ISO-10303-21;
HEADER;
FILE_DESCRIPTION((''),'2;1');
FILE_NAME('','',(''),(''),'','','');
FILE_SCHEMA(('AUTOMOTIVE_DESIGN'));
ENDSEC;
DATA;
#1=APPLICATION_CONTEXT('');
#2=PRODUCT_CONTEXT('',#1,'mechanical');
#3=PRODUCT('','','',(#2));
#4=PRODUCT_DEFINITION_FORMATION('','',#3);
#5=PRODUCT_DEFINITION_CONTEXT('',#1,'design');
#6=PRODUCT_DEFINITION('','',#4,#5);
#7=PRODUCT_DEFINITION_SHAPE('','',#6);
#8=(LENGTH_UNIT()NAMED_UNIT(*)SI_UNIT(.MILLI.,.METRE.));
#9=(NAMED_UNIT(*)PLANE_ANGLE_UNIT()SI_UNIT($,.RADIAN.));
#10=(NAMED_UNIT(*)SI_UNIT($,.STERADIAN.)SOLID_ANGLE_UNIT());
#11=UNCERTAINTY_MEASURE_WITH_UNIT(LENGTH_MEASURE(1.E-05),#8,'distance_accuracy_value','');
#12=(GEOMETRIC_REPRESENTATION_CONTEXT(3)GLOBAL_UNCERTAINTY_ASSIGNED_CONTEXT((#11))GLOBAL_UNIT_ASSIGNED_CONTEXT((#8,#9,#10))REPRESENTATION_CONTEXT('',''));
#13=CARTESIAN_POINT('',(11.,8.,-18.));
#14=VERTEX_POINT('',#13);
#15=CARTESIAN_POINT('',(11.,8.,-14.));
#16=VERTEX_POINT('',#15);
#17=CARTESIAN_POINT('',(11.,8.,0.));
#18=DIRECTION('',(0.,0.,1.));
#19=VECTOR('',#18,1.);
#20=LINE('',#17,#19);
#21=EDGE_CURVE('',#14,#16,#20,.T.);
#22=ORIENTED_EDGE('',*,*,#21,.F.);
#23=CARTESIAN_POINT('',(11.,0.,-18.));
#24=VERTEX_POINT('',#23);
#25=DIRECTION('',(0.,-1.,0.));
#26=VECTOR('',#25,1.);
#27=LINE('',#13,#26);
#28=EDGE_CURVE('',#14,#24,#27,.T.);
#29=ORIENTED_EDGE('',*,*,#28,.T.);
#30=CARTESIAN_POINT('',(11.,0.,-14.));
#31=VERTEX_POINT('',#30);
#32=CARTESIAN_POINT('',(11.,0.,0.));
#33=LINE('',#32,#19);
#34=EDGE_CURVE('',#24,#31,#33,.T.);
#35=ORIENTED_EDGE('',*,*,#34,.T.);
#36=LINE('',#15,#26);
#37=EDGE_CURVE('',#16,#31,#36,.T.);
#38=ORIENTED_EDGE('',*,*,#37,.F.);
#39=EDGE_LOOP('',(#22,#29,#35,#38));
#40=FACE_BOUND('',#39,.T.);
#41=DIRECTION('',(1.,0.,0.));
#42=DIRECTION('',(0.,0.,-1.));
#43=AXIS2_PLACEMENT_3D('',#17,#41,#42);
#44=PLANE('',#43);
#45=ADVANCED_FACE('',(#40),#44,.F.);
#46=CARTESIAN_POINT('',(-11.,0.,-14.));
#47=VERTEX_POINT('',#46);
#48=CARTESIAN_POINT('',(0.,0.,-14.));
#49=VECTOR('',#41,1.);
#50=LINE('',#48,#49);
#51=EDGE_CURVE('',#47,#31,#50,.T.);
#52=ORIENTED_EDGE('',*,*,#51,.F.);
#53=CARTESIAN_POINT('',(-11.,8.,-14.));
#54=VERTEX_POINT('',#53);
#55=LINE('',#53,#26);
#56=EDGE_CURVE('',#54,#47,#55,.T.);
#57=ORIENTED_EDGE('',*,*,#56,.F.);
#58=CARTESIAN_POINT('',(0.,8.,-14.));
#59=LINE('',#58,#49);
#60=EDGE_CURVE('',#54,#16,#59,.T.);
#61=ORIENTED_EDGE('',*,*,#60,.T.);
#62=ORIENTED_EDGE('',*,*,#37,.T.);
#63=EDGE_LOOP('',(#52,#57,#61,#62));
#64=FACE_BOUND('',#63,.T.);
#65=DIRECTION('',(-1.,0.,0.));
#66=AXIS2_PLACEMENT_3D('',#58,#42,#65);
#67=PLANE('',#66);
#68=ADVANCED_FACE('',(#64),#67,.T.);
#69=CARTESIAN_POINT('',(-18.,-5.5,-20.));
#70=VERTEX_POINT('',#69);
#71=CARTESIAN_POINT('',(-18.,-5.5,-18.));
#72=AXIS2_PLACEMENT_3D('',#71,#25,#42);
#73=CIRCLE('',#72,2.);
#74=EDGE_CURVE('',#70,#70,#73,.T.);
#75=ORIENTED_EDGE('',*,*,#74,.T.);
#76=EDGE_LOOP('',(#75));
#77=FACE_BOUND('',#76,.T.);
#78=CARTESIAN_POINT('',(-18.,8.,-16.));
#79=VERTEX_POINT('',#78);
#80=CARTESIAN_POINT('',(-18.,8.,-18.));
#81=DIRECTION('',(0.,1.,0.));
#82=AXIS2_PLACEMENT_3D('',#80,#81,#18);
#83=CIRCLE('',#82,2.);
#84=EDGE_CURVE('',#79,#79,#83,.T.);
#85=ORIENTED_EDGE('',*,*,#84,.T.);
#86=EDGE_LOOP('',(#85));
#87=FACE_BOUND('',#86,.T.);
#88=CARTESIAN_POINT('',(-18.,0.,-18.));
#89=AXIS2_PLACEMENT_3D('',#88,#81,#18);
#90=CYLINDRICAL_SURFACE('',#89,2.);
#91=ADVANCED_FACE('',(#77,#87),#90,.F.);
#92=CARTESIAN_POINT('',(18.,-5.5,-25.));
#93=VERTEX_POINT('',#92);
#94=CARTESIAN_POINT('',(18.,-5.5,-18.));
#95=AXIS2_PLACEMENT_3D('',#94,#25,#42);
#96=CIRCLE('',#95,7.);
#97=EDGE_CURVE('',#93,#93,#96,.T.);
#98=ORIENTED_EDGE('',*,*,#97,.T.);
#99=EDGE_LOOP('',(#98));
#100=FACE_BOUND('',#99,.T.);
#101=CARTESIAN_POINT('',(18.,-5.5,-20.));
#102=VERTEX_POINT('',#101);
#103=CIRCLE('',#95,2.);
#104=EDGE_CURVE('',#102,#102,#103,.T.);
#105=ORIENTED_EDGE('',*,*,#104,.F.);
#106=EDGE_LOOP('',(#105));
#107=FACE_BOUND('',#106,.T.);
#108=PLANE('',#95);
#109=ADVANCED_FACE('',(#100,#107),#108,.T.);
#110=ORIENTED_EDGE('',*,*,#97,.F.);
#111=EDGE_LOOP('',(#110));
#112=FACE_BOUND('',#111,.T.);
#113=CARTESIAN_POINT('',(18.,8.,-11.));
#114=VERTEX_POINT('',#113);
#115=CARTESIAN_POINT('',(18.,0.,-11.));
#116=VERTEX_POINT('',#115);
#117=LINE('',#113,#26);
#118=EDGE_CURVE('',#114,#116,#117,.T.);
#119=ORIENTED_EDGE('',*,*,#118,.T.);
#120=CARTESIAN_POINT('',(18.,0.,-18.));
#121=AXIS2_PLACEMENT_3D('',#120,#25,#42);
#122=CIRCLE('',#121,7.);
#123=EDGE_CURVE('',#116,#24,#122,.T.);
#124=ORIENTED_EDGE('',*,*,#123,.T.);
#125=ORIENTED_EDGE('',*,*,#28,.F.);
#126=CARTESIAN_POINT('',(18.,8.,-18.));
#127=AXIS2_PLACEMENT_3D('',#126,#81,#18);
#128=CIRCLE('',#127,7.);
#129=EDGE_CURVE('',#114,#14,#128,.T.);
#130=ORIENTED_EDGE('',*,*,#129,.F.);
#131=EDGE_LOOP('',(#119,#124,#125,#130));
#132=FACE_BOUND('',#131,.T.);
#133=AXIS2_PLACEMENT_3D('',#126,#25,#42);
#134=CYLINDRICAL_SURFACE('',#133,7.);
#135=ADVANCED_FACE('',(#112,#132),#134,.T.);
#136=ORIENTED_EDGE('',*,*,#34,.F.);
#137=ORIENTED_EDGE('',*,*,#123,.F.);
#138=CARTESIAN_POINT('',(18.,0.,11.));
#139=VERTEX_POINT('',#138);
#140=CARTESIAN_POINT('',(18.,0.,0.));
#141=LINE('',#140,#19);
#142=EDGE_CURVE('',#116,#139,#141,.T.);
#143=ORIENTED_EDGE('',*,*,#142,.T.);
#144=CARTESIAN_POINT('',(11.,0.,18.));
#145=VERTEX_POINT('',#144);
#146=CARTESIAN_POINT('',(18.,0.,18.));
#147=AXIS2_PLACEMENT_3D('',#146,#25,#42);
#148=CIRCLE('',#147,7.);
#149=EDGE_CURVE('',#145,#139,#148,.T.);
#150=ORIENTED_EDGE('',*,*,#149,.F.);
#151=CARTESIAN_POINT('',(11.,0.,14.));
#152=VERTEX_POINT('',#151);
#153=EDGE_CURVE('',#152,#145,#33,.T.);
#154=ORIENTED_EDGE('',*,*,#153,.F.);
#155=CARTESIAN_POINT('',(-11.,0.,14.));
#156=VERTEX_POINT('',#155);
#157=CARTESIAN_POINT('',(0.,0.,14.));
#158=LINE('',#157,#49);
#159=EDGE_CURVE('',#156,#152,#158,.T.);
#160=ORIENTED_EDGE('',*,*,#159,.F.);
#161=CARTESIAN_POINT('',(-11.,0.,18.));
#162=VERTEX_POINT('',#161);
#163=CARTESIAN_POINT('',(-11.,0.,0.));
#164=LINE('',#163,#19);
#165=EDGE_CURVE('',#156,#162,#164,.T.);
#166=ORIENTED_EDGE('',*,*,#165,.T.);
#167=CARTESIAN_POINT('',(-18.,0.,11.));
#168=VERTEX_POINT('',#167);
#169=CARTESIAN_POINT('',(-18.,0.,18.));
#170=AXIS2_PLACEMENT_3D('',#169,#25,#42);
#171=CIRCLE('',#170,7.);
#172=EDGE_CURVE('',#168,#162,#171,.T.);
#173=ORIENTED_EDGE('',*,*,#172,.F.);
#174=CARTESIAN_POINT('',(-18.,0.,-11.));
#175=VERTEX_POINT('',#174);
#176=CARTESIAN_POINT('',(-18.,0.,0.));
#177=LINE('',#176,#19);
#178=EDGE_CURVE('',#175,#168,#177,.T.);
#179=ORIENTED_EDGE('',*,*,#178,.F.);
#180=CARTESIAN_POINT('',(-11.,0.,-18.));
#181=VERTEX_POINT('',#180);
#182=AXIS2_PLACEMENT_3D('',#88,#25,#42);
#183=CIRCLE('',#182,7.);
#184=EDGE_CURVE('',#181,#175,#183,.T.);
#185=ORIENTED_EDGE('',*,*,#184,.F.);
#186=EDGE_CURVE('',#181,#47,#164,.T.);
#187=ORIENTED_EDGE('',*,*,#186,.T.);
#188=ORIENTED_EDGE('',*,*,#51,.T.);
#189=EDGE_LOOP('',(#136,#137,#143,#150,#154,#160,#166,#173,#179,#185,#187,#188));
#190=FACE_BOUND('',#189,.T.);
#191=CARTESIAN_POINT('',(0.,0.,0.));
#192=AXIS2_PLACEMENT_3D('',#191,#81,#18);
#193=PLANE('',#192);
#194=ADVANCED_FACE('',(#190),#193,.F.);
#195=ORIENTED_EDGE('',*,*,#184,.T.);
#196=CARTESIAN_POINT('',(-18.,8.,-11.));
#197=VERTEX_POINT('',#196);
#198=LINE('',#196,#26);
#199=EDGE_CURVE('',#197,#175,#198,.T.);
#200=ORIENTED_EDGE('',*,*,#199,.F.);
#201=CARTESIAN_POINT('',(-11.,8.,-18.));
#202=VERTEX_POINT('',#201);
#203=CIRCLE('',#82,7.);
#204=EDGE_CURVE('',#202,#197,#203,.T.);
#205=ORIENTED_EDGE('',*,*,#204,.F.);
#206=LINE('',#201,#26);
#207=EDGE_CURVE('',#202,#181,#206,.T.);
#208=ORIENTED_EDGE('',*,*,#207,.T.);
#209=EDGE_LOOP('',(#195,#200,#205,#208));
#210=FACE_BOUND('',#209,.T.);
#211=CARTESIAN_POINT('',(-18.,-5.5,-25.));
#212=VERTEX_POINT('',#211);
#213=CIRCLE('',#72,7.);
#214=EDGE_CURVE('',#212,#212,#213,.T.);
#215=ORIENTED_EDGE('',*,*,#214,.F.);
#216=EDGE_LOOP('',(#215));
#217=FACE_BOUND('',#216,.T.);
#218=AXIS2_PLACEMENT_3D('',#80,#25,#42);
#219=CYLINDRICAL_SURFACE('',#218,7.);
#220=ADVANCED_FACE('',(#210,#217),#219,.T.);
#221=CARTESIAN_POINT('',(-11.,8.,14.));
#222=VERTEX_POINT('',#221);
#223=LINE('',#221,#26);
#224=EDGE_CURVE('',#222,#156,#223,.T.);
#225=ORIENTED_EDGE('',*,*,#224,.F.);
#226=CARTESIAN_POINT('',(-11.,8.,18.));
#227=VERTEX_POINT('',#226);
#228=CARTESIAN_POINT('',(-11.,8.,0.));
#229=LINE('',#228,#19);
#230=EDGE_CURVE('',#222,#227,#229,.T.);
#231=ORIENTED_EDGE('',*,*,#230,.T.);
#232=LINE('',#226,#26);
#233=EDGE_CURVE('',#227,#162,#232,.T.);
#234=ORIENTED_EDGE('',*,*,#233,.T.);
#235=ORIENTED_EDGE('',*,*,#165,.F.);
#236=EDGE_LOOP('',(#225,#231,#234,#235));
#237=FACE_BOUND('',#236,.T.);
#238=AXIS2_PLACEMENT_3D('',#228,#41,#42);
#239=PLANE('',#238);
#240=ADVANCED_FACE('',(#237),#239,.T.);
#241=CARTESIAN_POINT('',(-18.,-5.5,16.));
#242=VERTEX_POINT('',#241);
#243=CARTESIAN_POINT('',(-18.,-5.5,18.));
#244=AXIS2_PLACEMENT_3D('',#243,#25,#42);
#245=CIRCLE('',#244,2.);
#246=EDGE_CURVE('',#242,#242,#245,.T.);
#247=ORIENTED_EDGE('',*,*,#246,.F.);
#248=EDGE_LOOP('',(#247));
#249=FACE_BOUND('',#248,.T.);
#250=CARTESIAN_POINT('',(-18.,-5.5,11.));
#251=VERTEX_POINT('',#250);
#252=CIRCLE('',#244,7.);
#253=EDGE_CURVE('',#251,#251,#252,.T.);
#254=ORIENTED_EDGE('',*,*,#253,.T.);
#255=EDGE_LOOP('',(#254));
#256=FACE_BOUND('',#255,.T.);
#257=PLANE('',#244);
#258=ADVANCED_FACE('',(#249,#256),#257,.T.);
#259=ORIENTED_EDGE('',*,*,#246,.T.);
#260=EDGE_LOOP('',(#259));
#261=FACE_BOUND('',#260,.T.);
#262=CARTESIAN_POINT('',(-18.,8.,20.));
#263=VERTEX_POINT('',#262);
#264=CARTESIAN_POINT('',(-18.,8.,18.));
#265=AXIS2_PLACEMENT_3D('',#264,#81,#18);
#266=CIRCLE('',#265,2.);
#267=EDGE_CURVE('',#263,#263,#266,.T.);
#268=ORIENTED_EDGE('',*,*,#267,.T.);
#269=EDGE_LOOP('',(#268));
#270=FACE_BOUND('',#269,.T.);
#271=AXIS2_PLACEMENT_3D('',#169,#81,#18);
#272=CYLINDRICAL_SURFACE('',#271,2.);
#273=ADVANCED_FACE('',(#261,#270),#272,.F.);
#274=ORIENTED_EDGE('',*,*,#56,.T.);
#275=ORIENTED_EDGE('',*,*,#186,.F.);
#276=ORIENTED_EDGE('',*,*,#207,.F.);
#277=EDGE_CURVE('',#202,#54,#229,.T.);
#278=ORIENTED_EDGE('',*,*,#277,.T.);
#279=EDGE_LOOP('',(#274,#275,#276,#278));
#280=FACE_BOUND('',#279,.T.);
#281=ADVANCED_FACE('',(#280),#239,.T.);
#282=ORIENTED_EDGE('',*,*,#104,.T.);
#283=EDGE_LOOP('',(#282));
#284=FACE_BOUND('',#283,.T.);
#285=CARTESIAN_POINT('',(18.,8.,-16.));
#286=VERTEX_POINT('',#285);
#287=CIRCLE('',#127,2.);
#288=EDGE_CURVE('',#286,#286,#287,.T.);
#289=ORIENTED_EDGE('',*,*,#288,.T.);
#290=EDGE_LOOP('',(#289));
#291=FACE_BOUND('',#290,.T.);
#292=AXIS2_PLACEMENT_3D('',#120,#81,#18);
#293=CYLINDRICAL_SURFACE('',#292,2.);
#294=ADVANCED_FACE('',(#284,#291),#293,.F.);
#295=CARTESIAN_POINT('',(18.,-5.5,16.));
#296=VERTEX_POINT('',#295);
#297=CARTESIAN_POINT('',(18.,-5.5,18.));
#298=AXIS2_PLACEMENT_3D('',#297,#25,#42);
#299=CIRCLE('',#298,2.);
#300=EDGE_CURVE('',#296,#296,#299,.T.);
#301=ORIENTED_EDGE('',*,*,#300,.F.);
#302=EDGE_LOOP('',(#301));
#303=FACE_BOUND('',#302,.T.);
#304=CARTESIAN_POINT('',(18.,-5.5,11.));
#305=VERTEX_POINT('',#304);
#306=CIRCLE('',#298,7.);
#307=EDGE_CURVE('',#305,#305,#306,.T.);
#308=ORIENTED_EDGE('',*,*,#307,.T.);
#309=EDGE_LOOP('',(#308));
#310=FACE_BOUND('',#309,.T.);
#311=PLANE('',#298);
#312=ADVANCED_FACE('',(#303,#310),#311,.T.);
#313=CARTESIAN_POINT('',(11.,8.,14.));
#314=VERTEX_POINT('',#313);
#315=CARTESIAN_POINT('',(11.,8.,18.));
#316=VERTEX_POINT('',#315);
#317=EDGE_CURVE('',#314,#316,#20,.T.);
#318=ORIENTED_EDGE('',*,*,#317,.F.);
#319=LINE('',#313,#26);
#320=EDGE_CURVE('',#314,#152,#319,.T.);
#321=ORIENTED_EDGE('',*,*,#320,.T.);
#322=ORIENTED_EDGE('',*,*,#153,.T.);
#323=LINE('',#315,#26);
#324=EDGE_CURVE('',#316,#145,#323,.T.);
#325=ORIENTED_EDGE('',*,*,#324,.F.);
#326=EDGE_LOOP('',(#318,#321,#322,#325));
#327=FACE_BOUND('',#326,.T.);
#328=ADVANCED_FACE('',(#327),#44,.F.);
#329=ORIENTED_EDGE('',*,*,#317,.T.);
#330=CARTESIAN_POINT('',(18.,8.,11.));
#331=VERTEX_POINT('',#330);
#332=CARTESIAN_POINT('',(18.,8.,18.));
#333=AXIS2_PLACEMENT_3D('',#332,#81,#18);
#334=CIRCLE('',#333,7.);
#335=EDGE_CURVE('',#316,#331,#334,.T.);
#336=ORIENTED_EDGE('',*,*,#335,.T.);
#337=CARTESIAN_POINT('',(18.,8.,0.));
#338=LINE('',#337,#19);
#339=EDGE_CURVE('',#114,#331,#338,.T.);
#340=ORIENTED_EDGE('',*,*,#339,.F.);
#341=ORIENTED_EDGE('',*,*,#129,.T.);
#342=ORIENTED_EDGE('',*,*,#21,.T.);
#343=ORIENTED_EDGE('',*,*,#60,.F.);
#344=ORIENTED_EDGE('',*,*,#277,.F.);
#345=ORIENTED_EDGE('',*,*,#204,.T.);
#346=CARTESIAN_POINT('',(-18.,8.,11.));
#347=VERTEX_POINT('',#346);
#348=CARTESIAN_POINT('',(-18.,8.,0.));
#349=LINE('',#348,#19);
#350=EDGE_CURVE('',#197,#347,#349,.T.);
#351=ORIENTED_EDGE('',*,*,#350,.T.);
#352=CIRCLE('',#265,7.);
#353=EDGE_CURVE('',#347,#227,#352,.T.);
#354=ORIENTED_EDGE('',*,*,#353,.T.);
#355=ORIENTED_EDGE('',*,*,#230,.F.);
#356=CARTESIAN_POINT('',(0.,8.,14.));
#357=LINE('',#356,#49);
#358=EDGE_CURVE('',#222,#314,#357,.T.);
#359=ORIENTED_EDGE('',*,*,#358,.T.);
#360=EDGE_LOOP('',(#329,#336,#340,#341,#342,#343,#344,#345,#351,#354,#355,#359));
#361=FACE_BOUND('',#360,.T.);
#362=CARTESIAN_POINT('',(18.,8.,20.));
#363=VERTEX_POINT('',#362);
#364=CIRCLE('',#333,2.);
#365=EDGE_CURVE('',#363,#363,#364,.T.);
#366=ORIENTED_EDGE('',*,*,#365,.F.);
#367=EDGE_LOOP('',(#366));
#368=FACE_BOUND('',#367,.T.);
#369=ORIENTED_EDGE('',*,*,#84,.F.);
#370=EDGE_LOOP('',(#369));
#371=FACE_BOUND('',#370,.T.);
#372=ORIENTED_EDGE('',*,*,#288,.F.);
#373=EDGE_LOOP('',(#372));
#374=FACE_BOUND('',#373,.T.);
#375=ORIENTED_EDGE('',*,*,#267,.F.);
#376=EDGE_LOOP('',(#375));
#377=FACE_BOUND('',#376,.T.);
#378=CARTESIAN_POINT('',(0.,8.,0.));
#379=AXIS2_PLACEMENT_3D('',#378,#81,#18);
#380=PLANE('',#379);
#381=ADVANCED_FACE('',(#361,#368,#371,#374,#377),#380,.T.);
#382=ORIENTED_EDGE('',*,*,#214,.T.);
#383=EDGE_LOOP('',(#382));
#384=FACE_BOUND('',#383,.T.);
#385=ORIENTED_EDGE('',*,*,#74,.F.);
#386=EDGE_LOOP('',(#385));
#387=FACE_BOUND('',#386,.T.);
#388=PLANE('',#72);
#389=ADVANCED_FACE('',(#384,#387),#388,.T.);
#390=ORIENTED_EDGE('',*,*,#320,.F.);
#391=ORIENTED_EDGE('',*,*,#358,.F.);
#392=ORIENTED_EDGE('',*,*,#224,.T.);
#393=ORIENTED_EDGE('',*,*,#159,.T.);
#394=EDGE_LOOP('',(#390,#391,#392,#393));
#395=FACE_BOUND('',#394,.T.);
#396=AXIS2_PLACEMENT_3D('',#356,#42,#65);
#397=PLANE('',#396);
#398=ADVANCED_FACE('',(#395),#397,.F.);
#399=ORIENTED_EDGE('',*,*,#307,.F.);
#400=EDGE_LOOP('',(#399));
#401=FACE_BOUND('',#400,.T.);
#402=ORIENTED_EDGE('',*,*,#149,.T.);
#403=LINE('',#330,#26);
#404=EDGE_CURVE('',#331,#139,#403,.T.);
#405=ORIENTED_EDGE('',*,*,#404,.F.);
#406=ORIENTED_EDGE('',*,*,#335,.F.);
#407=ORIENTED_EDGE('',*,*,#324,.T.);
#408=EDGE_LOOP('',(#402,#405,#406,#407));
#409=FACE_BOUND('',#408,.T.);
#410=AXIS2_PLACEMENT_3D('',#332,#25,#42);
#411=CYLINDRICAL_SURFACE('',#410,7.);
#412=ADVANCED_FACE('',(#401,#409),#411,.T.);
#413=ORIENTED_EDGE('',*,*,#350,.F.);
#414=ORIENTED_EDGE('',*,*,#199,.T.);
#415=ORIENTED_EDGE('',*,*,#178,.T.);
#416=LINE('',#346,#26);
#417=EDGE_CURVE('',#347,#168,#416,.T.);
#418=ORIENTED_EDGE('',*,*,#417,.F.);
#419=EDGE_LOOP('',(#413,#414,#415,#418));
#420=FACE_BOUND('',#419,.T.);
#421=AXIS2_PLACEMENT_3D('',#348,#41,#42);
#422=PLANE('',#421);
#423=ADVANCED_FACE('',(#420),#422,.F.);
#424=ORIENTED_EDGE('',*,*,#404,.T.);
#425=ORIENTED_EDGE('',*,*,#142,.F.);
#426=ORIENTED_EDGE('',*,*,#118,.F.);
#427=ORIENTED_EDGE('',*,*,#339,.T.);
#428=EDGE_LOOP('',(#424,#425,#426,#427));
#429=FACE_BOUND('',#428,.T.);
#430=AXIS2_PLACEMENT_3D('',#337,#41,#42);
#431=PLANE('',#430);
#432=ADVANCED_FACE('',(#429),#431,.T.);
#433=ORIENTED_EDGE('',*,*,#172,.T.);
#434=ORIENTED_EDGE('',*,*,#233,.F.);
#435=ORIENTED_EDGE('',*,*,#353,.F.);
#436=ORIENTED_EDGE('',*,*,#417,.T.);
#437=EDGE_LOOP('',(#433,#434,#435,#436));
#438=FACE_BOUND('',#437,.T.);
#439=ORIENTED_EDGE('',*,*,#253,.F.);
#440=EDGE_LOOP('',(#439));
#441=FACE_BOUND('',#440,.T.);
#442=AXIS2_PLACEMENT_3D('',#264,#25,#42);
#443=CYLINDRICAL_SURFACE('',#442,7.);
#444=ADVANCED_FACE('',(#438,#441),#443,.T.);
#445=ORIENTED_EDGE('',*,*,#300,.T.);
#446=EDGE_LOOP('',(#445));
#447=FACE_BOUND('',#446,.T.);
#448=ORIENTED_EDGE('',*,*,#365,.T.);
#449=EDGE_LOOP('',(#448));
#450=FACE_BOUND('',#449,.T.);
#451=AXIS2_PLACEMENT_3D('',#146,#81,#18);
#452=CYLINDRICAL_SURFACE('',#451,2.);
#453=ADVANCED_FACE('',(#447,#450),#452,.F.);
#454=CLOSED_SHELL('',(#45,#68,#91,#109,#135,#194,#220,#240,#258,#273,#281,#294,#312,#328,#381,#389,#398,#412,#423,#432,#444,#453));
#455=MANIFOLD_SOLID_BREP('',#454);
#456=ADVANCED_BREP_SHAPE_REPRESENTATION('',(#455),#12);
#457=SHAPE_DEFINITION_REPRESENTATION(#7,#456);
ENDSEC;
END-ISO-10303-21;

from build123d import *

# Parameters (mm, degrees)
SKETCH1_W           = 22
SKETCH1_H           = 28
BOSS_EXTRUDE1_DEPTH = 8
SKETCH2_R           = 2
CUT_EXTRUDE1_DEPTH  = 37.249137921
SKETCH5_R           = 7
SKETCH5_R_2         = 2
BOSS_EXTRUDE3_DEPTH = 5.5


with BuildPart() as part:
    # Sketch1 → Boss-Extrude1 (new body)
    with BuildSketch(Plane(origin=(0, 0, 0), x_dir=(1, 0, 0), z_dir=(0, 1, 0))):
        with BuildLine():
            ThreePointArc((-18, 11), (-13.050252532, 13.050252532), (-11, 18))
            Line((-11, 18), (-18, 18))
            Line((-18, 18), (-18, 11))
        make_face()
        with BuildLine():
            Line((-18, 18), (-11, 18))
            ThreePointArc((-11, 18), (-22.949747468, 22.949747468), (-18, 11))
            Line((-18, 11), (-18, 18))
        make_face()
        with BuildLine():
            Line((-11, -18), (-11, -14))
            Line((-11, -14), (-11, 14))
            Line((-11, 14), (-11, 18))
            ThreePointArc((-11, 18), (-13.050252532, 13.050252532), (-18, 11))
            Line((-18, 11), (-18, -11))
            ThreePointArc((-18, -11), (-13.050252532, -13.050252532), (-11, -18))
        make_face()
        with BuildLine():
            ThreePointArc((-18, -11), (-22.949747468, -22.949747468), (-11, -18))
            Line((-11, -18), (-18, -18))
            Line((-18, -18), (-18, -11))
        make_face()
        with BuildLine():
            Line((-18, -18), (-11, -18))
            ThreePointArc((-11, -18), (-13.050252532, -13.050252532), (-18, -11))
            Line((-18, -11), (-18, -18))
        make_face()
        Rectangle(SKETCH1_W, SKETCH1_H)
        with BuildLine():
            ThreePointArc((18, -11), (13.050252532, -13.050252532), (11, -18))
            Line((11, -18), (18, -18))
            Line((18, -18), (18, -11))
        make_face()
        with BuildLine():
            Line((18, -18), (11, -18))
            ThreePointArc((11, -18), (18, -25), (25, -18))
            ThreePointArc((25, -18), (22.949747468, -13.050252532), (18, -11))
            Line((18, -11), (18, -18))
        make_face()
        with BuildLine():
            Line((11, 14), (11, -14))
            Line((11, -14), (11, -18))
            ThreePointArc((11, -18), (13.050252532, -13.050252532), (18, -11))
            Line((18, -11), (18, 11))
            ThreePointArc((18, 11), (13.050252532, 13.050252532), (11, 18))
            Line((11, 18), (11, 14))
        make_face()
        with BuildLine():
            ThreePointArc((25, 18), (18, 25), (11, 18))
            Line((11, 18), (18, 18))
            Line((18, 18), (18, 11))
            ThreePointArc((18, 11), (22.949747468, 13.050252532), (25, 18))
        make_face()
        with BuildLine():
            Line((18, 18), (11, 18))
            ThreePointArc((11, 18), (13.050252532, 13.050252532), (18, 11))
            Line((18, 11), (18, 18))
        make_face()
    extrude(amount=BOSS_EXTRUDE1_DEPTH)

    # Sketch2 → Cut-Extrude1 (cut, through all)
    with BuildSketch(Plane(origin=(0, 8, 0), x_dir=(1, 0, 0), z_dir=(0, 1, 0))):
        with Locations(Location((-18, 18, 0), (0, 0, 270))):
            Circle(SKETCH2_R)
        with Locations(Location((-18, -18, 0), (0, 0, 270))):
            Circle(SKETCH2_R)
        with Locations(Location((18, -18, 0), (0, 0, 270))):
            Circle(SKETCH2_R)
        with Locations(Location((18, 18, 0), (0, 0, 270))):
            Circle(SKETCH2_R)
    extrude(amount=-CUT_EXTRUDE1_DEPTH, mode=Mode.SUBTRACT)

    # Sketch5 → Boss-Extrude3 (add)
    # profile 1 of 4: a face of its own
    with BuildSketch(Plane.XZ):
        with Locations(Location((-18, 18, 0), (0, 0, 270))):
            Circle(SKETCH5_R)
        with Locations(Location((-18, 18, 0), (0, 0, 90))):
            Circle(SKETCH5_R_2, mode=Mode.SUBTRACT)
    # profile 2 of 4: a face of its own
    with BuildSketch(Plane.XZ):
        with Locations(Location((18, 18, 0), (0, 0, 270))):
            Circle(SKETCH5_R)
        with Locations(Location((18, 18, 0), (0, 0, 90))):
            Circle(SKETCH5_R_2, mode=Mode.SUBTRACT)
    # profile 3 of 4: a face of its own
    with BuildSketch(Plane.XZ):
        with Locations(Location((18, -18, 0), (0, 0, 270))):
            Circle(SKETCH5_R)
        with Locations(Location((18, -18, 0), (0, 0, 90))):
            Circle(SKETCH5_R_2, mode=Mode.SUBTRACT)
    # profile 4 of 4: a face of its own
    with BuildSketch(Plane.XZ):
        with Locations(Location((-18, -18, 0), (0, 0, 270))):
            Circle(SKETCH5_R)
        with Locations(Location((-18, -18, 0), (0, 0, 90))):
            Circle(SKETCH5_R_2, mode=Mode.SUBTRACT)
    extrude(amount=BOSS_EXTRUDE3_DEPTH)


solid = part.part
